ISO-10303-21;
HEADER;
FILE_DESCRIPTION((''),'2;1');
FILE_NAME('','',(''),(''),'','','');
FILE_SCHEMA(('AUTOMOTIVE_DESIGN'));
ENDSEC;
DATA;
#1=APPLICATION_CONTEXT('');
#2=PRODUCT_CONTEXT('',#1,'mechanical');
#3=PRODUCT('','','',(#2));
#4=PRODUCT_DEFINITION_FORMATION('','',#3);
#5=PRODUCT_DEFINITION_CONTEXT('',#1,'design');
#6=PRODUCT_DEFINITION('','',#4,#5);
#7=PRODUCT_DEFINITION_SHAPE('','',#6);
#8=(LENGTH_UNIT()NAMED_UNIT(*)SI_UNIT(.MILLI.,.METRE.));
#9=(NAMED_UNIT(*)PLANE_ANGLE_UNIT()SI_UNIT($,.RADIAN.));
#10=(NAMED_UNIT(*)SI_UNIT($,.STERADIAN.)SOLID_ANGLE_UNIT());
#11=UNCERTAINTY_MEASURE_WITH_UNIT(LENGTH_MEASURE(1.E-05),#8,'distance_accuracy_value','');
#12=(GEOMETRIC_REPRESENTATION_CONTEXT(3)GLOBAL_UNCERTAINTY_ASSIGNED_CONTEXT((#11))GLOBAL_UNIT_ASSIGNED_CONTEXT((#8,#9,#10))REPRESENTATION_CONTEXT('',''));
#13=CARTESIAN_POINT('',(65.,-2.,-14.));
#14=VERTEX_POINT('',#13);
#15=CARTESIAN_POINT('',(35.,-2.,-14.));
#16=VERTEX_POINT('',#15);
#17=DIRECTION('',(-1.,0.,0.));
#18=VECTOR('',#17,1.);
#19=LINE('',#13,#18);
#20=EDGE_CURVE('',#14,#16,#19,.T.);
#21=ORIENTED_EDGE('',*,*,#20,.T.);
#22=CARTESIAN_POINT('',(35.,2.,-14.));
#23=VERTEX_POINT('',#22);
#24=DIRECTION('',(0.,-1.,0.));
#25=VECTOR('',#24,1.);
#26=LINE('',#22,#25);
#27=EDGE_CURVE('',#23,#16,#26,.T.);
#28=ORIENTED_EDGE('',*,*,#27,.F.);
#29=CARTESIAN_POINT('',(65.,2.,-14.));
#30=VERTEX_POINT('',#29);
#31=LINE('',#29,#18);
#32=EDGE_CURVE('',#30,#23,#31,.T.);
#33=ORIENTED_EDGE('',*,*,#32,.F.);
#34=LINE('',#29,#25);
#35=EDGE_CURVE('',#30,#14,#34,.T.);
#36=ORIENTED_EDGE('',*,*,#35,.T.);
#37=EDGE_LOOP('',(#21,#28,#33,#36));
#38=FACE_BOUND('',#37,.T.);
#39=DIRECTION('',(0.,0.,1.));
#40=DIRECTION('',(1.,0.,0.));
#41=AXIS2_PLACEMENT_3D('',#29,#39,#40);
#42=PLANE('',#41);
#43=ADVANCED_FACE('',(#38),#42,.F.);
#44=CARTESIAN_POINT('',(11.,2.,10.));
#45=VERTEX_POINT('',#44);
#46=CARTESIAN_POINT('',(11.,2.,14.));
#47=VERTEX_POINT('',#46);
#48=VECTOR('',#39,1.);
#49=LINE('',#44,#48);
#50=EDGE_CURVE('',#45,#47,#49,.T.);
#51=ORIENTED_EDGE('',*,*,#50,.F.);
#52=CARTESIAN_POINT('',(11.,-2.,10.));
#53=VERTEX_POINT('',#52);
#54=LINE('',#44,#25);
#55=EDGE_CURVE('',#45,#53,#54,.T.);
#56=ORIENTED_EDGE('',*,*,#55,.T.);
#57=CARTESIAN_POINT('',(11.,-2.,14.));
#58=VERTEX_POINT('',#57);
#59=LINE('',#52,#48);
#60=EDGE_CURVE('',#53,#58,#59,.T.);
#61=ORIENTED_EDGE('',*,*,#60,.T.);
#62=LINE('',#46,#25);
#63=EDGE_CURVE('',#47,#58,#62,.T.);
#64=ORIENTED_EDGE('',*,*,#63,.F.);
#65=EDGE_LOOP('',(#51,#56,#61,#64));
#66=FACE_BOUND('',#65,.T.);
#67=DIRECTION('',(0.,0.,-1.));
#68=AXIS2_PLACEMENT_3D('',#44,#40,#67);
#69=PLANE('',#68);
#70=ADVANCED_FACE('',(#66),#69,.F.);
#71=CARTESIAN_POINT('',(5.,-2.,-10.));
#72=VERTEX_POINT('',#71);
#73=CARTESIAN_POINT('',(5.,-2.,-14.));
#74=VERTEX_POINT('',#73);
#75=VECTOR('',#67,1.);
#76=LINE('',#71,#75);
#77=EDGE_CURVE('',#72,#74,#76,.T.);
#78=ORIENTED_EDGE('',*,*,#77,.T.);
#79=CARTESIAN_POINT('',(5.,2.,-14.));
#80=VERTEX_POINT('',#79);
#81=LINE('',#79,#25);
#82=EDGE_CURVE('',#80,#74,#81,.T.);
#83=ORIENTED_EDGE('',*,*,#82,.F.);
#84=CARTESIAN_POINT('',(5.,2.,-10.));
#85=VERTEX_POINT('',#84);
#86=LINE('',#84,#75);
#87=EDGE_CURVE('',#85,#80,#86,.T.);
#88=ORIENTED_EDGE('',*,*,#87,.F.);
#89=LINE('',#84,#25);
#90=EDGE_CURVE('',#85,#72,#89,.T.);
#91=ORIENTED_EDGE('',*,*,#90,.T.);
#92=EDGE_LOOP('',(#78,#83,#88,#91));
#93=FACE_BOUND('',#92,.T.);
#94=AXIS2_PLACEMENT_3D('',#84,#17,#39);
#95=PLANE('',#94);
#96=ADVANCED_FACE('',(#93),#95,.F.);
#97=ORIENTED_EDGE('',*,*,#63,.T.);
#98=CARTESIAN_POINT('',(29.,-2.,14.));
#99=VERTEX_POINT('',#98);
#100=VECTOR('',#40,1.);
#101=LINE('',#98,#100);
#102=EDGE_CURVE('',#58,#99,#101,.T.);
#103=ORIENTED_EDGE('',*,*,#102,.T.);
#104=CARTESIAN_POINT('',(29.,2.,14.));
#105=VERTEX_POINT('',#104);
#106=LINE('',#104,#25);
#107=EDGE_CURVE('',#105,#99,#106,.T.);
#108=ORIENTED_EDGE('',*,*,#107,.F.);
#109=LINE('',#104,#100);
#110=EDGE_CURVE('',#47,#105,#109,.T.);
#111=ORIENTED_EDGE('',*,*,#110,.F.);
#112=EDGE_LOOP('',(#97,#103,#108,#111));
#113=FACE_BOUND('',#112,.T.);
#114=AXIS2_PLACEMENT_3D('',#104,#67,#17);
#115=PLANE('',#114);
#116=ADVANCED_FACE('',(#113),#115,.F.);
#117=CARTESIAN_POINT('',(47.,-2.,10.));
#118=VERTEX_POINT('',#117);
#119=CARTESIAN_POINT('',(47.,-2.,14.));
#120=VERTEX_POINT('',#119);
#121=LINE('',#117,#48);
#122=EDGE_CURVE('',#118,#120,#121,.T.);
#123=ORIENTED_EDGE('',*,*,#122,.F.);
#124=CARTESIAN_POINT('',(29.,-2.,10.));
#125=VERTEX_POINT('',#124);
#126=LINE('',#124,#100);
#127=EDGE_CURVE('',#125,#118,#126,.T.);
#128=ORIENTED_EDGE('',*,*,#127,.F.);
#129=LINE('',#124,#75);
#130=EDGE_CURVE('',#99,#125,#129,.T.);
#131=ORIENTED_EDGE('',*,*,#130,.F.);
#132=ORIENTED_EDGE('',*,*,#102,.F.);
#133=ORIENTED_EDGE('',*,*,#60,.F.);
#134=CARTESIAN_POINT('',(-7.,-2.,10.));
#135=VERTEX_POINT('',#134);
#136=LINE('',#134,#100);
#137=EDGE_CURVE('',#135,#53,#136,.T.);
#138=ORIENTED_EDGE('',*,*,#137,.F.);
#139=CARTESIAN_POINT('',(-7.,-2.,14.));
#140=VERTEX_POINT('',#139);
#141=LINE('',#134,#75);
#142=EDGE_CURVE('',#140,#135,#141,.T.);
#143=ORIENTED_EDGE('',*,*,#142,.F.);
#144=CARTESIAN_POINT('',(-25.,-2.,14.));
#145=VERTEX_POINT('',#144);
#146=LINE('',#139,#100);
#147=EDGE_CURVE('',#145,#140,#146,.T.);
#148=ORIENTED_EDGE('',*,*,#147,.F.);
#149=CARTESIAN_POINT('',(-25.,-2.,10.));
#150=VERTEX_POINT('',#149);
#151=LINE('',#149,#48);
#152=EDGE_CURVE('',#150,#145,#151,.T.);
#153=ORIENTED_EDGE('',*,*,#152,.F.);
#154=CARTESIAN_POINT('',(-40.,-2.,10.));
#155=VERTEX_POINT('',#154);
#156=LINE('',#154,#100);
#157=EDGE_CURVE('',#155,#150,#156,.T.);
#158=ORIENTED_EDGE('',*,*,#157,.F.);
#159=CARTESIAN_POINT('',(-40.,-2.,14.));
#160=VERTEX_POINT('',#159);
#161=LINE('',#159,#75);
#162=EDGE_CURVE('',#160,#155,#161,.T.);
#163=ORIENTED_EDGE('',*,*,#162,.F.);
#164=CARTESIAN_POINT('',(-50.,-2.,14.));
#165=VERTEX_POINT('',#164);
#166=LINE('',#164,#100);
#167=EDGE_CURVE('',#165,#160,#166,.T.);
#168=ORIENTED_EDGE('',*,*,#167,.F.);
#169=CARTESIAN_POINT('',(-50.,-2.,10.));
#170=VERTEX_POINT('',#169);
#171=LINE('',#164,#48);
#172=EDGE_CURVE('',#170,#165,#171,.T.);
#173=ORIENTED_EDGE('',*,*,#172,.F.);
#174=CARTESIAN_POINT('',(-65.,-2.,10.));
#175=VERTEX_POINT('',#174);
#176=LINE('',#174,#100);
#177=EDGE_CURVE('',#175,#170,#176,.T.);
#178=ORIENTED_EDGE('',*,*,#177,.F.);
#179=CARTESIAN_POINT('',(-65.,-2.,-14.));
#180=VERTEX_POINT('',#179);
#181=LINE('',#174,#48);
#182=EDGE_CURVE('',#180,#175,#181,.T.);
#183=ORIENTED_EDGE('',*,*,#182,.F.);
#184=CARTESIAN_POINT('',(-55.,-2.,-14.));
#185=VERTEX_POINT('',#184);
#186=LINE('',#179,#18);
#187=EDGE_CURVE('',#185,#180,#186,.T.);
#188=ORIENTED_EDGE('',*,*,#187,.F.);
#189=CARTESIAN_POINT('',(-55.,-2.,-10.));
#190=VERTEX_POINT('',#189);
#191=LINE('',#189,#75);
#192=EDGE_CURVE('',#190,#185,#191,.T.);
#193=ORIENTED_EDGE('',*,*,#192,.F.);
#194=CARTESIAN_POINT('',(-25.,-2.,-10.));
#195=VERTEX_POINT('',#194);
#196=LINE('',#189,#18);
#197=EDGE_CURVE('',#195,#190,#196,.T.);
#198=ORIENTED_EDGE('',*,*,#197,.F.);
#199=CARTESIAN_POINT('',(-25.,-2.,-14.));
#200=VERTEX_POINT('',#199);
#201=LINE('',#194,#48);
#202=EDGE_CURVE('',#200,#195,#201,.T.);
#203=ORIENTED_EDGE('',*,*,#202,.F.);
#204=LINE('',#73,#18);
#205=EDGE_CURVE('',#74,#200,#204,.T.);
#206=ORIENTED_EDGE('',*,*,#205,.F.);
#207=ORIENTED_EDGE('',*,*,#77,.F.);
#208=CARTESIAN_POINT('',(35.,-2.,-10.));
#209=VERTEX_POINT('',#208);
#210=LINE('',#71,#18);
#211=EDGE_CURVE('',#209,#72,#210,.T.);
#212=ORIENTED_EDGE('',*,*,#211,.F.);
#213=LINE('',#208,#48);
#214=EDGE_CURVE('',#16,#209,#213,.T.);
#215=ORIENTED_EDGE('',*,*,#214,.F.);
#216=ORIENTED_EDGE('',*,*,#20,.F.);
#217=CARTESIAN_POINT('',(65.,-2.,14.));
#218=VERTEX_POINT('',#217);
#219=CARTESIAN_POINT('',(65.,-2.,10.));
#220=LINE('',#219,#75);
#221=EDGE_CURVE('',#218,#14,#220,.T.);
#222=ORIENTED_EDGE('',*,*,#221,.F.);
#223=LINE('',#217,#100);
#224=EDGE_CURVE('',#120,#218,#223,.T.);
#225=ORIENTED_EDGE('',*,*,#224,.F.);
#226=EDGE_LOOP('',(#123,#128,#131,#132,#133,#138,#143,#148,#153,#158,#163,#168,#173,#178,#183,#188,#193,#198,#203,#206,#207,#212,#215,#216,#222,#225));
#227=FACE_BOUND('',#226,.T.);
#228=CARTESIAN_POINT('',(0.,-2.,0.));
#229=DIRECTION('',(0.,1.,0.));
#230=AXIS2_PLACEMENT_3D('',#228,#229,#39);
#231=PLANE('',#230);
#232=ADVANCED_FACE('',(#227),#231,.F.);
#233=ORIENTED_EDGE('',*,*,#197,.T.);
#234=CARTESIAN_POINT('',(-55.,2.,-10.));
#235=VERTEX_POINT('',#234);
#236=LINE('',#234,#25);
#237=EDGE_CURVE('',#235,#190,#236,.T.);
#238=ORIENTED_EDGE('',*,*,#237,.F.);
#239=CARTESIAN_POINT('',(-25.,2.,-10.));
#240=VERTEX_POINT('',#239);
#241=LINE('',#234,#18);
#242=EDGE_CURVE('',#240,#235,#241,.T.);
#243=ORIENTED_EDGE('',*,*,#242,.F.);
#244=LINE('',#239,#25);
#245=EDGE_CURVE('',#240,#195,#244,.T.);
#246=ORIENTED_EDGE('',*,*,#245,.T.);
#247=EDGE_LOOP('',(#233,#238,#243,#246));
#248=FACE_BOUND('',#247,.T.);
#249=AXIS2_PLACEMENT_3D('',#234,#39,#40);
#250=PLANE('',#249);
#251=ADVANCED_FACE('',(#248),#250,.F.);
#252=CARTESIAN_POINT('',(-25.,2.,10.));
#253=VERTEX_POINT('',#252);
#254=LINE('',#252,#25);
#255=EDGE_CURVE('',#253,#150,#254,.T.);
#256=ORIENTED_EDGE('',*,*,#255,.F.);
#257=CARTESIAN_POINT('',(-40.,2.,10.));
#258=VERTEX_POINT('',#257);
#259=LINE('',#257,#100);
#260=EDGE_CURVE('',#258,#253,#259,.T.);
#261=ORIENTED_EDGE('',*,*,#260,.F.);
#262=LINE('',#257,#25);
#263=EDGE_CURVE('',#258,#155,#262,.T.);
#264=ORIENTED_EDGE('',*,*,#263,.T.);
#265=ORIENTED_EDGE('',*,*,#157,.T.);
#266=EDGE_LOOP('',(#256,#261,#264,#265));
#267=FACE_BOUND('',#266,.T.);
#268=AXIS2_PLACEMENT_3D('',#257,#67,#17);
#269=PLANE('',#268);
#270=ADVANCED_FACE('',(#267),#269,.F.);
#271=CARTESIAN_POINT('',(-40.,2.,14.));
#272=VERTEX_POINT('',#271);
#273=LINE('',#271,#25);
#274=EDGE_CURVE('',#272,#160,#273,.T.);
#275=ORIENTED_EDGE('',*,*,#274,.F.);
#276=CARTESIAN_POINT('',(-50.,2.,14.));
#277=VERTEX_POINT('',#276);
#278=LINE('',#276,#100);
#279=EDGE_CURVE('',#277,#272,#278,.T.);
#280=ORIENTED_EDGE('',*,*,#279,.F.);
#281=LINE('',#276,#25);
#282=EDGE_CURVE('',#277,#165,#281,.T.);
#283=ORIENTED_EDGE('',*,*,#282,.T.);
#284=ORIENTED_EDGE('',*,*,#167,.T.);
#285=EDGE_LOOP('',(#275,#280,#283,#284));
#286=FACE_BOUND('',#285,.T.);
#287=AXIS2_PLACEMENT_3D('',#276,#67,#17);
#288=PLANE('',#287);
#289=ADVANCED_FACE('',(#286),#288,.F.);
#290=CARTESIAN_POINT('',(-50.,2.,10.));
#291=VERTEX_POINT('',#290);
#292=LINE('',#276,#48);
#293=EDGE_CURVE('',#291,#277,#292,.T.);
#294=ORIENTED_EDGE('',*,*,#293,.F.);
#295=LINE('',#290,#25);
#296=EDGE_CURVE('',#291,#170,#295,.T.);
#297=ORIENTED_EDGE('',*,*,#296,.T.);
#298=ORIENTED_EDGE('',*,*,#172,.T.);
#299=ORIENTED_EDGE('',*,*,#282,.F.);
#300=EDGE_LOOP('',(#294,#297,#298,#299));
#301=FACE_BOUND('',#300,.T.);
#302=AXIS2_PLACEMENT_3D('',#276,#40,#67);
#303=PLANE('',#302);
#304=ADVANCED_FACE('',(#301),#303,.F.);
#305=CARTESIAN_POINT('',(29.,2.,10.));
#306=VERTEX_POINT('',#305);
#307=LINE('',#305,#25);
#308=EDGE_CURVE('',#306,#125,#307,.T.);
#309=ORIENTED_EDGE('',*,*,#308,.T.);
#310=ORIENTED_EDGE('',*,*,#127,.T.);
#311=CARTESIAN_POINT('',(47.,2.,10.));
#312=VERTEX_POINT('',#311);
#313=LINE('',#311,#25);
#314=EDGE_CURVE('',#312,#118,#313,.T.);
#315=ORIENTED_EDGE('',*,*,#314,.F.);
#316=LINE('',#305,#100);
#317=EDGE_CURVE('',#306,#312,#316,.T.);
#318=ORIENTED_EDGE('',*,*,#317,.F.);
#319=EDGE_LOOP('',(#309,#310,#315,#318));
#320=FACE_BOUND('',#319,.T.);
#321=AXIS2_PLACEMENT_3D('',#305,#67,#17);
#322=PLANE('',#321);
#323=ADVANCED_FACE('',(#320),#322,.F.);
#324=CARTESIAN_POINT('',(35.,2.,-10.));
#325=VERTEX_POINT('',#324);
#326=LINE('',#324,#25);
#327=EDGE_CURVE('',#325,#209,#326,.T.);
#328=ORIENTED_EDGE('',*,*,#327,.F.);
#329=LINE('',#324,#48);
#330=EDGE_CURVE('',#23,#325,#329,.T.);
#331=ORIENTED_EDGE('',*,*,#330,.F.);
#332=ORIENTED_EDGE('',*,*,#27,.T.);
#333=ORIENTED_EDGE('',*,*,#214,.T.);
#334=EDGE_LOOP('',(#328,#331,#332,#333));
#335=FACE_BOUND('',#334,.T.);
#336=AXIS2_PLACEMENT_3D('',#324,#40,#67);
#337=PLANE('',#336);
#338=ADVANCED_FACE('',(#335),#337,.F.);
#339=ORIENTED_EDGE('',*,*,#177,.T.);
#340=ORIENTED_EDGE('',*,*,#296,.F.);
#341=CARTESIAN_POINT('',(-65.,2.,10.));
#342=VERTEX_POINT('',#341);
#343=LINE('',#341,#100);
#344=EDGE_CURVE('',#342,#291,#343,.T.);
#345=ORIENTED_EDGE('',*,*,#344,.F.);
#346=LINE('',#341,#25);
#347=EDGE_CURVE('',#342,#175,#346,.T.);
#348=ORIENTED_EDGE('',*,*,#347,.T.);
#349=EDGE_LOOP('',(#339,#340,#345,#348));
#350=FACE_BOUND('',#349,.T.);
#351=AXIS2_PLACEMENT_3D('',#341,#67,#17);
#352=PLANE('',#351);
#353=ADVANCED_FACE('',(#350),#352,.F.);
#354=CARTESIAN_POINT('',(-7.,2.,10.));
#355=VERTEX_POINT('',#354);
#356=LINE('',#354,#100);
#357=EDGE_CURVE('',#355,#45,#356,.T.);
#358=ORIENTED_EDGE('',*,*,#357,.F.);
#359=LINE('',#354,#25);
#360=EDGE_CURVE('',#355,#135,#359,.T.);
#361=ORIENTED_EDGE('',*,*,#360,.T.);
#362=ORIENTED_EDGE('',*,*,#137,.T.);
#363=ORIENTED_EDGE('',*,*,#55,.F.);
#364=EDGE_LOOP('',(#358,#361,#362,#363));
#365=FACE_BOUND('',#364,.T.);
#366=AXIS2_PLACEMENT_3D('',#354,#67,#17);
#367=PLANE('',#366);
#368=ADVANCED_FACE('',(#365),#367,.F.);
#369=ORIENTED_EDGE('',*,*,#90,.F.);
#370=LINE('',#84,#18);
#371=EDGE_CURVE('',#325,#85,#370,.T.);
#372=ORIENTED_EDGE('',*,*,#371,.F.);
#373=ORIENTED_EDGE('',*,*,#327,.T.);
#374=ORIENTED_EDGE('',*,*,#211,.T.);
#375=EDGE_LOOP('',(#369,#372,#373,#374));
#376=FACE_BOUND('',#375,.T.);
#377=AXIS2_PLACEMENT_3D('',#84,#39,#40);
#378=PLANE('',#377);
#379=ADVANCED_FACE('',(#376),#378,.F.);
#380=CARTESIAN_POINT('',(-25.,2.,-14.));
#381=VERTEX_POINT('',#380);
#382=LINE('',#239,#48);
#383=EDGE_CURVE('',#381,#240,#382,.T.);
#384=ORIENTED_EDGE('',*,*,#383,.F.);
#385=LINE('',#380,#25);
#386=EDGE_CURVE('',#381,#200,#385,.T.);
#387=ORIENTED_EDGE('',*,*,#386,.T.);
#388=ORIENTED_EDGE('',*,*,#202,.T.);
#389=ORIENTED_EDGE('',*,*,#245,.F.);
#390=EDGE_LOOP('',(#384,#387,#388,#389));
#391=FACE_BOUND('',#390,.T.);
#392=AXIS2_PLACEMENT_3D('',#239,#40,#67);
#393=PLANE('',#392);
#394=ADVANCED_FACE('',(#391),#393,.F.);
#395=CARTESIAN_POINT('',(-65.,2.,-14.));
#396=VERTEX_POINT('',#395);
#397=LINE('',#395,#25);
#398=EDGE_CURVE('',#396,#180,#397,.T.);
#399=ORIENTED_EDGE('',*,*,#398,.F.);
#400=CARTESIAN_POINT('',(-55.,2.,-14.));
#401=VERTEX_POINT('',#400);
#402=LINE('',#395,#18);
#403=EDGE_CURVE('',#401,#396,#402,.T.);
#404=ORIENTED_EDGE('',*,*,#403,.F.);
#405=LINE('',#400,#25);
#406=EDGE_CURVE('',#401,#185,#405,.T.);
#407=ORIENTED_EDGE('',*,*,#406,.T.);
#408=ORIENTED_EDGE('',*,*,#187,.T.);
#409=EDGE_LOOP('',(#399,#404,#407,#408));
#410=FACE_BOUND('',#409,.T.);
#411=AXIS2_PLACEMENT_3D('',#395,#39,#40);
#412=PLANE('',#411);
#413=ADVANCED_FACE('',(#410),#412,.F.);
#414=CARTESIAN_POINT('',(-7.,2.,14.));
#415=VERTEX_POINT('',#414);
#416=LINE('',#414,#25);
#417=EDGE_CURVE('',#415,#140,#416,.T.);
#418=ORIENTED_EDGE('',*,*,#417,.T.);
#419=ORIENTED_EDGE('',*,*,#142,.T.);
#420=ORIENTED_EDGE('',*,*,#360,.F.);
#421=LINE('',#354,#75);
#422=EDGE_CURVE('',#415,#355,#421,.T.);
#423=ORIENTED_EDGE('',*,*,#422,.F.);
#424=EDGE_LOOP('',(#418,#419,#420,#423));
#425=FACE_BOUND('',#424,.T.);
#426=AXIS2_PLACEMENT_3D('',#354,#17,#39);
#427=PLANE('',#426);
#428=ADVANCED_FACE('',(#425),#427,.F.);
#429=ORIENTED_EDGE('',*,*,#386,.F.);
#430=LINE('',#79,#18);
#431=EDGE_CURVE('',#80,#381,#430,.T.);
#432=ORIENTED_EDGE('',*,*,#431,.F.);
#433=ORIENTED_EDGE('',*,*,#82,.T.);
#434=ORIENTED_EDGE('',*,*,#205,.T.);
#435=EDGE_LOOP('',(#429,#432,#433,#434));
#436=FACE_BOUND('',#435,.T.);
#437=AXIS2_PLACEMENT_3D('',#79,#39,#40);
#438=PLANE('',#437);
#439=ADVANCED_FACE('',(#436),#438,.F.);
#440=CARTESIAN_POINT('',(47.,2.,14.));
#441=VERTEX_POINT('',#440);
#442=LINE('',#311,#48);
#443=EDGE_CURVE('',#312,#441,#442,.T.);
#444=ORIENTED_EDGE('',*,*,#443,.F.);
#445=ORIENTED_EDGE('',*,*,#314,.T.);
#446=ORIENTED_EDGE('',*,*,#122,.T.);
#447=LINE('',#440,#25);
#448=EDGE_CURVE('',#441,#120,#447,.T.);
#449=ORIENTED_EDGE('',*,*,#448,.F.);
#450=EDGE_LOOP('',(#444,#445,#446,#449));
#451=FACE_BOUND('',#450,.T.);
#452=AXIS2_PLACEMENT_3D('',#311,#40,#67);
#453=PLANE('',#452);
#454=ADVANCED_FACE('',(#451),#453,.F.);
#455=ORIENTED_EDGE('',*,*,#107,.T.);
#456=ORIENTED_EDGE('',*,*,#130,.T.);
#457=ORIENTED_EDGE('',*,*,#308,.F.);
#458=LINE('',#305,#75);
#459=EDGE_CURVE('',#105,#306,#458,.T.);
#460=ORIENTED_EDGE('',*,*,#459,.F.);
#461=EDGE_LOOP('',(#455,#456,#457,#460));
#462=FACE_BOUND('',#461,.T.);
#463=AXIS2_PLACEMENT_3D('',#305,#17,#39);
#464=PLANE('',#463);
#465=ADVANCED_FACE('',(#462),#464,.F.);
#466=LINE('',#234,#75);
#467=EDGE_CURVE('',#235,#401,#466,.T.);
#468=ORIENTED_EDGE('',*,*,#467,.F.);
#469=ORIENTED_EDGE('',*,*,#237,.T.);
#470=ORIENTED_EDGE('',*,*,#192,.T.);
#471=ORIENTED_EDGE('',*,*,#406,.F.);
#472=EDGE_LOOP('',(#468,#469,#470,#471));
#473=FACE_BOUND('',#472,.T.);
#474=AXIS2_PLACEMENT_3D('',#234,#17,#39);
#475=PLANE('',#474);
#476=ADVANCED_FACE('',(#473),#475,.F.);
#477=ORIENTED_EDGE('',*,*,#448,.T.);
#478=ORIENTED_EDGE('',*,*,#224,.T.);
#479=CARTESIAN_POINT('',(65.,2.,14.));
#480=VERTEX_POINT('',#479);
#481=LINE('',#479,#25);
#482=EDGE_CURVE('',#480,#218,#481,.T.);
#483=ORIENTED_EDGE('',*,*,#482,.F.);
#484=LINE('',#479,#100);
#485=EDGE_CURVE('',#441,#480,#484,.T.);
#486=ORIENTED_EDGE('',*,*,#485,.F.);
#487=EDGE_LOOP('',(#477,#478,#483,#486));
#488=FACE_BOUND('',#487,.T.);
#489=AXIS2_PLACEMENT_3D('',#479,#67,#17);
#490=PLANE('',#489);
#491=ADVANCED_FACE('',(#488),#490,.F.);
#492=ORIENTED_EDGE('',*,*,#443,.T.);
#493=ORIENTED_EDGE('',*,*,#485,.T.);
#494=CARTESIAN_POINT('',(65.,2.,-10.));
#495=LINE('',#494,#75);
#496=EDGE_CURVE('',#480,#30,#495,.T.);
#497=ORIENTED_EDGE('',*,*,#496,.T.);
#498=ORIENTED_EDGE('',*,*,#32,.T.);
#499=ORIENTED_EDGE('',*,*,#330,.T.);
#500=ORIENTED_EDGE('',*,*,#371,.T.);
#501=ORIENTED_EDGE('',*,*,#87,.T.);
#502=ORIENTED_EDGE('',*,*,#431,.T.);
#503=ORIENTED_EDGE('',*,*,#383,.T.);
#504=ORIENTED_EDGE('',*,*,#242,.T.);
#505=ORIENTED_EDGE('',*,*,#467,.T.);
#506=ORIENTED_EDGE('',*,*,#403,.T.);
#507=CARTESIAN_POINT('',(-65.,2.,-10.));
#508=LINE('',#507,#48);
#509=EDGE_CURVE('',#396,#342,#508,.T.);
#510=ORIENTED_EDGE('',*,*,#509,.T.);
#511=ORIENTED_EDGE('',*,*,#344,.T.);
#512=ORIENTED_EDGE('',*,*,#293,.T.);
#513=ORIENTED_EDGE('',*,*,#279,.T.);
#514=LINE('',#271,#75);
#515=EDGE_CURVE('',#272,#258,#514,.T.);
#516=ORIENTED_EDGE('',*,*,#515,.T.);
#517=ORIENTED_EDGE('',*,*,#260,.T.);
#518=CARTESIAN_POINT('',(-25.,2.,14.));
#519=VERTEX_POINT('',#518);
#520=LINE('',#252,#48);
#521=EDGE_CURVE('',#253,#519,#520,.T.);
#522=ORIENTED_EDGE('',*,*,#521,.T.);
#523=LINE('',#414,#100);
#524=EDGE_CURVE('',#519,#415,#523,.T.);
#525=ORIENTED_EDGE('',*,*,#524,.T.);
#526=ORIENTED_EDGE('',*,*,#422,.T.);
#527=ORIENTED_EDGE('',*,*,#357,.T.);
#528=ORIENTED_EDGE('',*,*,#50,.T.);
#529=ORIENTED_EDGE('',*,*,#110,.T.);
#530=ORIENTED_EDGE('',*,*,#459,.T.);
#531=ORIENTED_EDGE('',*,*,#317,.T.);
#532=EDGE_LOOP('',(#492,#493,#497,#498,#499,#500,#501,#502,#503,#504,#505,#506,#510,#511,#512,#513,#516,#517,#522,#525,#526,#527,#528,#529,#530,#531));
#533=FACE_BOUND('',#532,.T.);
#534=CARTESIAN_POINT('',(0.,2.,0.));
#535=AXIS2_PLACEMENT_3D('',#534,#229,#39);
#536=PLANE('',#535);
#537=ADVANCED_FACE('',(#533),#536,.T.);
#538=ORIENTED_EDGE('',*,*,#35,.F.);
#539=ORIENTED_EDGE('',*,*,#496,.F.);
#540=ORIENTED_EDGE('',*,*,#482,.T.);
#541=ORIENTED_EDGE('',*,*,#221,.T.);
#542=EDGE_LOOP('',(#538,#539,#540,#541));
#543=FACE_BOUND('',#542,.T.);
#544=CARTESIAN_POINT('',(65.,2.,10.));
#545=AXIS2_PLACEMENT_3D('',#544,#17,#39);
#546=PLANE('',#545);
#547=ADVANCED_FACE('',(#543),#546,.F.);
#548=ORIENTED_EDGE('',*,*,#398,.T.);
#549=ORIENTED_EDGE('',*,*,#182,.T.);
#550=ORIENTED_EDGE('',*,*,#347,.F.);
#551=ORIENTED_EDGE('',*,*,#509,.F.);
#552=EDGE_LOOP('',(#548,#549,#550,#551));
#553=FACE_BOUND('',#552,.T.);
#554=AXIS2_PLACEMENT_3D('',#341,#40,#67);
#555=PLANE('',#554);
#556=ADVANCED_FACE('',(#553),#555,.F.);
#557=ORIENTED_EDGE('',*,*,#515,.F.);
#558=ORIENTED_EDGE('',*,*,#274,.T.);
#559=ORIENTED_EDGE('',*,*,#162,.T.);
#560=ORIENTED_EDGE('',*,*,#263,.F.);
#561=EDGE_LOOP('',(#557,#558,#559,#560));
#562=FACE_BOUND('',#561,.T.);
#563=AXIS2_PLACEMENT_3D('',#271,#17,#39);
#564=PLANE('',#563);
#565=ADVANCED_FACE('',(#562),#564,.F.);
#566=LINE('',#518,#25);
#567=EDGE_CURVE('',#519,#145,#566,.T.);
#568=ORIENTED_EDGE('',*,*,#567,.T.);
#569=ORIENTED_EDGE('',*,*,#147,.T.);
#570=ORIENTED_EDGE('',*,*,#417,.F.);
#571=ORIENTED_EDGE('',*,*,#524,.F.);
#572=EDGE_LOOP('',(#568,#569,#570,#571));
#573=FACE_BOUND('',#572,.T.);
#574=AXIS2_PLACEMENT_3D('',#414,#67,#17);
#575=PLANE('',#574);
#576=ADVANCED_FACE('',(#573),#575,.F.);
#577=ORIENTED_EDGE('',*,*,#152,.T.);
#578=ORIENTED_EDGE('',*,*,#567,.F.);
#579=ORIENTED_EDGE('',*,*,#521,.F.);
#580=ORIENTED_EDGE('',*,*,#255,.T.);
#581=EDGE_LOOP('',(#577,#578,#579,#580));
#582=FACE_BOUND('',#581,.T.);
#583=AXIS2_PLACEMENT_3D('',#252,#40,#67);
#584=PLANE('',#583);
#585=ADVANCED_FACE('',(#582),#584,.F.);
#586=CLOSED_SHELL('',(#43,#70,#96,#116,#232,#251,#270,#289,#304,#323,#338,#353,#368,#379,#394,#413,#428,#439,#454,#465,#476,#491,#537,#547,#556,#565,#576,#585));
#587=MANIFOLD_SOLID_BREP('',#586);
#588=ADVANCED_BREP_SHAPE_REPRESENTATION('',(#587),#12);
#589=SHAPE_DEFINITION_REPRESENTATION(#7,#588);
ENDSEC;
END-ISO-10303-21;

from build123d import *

# Parameters (mm, degrees)
BOSS_EXTRUDE1_DEPTH = 2


with BuildPart() as part:
    # Sketch1 → Boss-Extrude1 (new, symmetric)
    with BuildSketch(Plane(origin=(0, 0, 0), x_dir=(1, 0, 0), z_dir=(0, 1, 0))):
        Polygon((-65, -10), (-50, -10), (-50, -14), (-40, -14), (-40, -10), (-25, -10), (-25, -14), (-7, -14), (-7, -10), (11, -10), (11, -14), (29, -14), (29, -10), (47, -10), (47, -14), (65, -14), (65, -10), (65, 10), (65, 14), (35, 14), (35, 10), (5, 10), (5, 14), (-25, 14), (-25, 10), (-55, 10), (-55, 14), (-65, 14), (-65, 10), align=None)
    extrude(amount=BOSS_EXTRUDE1_DEPTH, both=True)


solid = part.part
